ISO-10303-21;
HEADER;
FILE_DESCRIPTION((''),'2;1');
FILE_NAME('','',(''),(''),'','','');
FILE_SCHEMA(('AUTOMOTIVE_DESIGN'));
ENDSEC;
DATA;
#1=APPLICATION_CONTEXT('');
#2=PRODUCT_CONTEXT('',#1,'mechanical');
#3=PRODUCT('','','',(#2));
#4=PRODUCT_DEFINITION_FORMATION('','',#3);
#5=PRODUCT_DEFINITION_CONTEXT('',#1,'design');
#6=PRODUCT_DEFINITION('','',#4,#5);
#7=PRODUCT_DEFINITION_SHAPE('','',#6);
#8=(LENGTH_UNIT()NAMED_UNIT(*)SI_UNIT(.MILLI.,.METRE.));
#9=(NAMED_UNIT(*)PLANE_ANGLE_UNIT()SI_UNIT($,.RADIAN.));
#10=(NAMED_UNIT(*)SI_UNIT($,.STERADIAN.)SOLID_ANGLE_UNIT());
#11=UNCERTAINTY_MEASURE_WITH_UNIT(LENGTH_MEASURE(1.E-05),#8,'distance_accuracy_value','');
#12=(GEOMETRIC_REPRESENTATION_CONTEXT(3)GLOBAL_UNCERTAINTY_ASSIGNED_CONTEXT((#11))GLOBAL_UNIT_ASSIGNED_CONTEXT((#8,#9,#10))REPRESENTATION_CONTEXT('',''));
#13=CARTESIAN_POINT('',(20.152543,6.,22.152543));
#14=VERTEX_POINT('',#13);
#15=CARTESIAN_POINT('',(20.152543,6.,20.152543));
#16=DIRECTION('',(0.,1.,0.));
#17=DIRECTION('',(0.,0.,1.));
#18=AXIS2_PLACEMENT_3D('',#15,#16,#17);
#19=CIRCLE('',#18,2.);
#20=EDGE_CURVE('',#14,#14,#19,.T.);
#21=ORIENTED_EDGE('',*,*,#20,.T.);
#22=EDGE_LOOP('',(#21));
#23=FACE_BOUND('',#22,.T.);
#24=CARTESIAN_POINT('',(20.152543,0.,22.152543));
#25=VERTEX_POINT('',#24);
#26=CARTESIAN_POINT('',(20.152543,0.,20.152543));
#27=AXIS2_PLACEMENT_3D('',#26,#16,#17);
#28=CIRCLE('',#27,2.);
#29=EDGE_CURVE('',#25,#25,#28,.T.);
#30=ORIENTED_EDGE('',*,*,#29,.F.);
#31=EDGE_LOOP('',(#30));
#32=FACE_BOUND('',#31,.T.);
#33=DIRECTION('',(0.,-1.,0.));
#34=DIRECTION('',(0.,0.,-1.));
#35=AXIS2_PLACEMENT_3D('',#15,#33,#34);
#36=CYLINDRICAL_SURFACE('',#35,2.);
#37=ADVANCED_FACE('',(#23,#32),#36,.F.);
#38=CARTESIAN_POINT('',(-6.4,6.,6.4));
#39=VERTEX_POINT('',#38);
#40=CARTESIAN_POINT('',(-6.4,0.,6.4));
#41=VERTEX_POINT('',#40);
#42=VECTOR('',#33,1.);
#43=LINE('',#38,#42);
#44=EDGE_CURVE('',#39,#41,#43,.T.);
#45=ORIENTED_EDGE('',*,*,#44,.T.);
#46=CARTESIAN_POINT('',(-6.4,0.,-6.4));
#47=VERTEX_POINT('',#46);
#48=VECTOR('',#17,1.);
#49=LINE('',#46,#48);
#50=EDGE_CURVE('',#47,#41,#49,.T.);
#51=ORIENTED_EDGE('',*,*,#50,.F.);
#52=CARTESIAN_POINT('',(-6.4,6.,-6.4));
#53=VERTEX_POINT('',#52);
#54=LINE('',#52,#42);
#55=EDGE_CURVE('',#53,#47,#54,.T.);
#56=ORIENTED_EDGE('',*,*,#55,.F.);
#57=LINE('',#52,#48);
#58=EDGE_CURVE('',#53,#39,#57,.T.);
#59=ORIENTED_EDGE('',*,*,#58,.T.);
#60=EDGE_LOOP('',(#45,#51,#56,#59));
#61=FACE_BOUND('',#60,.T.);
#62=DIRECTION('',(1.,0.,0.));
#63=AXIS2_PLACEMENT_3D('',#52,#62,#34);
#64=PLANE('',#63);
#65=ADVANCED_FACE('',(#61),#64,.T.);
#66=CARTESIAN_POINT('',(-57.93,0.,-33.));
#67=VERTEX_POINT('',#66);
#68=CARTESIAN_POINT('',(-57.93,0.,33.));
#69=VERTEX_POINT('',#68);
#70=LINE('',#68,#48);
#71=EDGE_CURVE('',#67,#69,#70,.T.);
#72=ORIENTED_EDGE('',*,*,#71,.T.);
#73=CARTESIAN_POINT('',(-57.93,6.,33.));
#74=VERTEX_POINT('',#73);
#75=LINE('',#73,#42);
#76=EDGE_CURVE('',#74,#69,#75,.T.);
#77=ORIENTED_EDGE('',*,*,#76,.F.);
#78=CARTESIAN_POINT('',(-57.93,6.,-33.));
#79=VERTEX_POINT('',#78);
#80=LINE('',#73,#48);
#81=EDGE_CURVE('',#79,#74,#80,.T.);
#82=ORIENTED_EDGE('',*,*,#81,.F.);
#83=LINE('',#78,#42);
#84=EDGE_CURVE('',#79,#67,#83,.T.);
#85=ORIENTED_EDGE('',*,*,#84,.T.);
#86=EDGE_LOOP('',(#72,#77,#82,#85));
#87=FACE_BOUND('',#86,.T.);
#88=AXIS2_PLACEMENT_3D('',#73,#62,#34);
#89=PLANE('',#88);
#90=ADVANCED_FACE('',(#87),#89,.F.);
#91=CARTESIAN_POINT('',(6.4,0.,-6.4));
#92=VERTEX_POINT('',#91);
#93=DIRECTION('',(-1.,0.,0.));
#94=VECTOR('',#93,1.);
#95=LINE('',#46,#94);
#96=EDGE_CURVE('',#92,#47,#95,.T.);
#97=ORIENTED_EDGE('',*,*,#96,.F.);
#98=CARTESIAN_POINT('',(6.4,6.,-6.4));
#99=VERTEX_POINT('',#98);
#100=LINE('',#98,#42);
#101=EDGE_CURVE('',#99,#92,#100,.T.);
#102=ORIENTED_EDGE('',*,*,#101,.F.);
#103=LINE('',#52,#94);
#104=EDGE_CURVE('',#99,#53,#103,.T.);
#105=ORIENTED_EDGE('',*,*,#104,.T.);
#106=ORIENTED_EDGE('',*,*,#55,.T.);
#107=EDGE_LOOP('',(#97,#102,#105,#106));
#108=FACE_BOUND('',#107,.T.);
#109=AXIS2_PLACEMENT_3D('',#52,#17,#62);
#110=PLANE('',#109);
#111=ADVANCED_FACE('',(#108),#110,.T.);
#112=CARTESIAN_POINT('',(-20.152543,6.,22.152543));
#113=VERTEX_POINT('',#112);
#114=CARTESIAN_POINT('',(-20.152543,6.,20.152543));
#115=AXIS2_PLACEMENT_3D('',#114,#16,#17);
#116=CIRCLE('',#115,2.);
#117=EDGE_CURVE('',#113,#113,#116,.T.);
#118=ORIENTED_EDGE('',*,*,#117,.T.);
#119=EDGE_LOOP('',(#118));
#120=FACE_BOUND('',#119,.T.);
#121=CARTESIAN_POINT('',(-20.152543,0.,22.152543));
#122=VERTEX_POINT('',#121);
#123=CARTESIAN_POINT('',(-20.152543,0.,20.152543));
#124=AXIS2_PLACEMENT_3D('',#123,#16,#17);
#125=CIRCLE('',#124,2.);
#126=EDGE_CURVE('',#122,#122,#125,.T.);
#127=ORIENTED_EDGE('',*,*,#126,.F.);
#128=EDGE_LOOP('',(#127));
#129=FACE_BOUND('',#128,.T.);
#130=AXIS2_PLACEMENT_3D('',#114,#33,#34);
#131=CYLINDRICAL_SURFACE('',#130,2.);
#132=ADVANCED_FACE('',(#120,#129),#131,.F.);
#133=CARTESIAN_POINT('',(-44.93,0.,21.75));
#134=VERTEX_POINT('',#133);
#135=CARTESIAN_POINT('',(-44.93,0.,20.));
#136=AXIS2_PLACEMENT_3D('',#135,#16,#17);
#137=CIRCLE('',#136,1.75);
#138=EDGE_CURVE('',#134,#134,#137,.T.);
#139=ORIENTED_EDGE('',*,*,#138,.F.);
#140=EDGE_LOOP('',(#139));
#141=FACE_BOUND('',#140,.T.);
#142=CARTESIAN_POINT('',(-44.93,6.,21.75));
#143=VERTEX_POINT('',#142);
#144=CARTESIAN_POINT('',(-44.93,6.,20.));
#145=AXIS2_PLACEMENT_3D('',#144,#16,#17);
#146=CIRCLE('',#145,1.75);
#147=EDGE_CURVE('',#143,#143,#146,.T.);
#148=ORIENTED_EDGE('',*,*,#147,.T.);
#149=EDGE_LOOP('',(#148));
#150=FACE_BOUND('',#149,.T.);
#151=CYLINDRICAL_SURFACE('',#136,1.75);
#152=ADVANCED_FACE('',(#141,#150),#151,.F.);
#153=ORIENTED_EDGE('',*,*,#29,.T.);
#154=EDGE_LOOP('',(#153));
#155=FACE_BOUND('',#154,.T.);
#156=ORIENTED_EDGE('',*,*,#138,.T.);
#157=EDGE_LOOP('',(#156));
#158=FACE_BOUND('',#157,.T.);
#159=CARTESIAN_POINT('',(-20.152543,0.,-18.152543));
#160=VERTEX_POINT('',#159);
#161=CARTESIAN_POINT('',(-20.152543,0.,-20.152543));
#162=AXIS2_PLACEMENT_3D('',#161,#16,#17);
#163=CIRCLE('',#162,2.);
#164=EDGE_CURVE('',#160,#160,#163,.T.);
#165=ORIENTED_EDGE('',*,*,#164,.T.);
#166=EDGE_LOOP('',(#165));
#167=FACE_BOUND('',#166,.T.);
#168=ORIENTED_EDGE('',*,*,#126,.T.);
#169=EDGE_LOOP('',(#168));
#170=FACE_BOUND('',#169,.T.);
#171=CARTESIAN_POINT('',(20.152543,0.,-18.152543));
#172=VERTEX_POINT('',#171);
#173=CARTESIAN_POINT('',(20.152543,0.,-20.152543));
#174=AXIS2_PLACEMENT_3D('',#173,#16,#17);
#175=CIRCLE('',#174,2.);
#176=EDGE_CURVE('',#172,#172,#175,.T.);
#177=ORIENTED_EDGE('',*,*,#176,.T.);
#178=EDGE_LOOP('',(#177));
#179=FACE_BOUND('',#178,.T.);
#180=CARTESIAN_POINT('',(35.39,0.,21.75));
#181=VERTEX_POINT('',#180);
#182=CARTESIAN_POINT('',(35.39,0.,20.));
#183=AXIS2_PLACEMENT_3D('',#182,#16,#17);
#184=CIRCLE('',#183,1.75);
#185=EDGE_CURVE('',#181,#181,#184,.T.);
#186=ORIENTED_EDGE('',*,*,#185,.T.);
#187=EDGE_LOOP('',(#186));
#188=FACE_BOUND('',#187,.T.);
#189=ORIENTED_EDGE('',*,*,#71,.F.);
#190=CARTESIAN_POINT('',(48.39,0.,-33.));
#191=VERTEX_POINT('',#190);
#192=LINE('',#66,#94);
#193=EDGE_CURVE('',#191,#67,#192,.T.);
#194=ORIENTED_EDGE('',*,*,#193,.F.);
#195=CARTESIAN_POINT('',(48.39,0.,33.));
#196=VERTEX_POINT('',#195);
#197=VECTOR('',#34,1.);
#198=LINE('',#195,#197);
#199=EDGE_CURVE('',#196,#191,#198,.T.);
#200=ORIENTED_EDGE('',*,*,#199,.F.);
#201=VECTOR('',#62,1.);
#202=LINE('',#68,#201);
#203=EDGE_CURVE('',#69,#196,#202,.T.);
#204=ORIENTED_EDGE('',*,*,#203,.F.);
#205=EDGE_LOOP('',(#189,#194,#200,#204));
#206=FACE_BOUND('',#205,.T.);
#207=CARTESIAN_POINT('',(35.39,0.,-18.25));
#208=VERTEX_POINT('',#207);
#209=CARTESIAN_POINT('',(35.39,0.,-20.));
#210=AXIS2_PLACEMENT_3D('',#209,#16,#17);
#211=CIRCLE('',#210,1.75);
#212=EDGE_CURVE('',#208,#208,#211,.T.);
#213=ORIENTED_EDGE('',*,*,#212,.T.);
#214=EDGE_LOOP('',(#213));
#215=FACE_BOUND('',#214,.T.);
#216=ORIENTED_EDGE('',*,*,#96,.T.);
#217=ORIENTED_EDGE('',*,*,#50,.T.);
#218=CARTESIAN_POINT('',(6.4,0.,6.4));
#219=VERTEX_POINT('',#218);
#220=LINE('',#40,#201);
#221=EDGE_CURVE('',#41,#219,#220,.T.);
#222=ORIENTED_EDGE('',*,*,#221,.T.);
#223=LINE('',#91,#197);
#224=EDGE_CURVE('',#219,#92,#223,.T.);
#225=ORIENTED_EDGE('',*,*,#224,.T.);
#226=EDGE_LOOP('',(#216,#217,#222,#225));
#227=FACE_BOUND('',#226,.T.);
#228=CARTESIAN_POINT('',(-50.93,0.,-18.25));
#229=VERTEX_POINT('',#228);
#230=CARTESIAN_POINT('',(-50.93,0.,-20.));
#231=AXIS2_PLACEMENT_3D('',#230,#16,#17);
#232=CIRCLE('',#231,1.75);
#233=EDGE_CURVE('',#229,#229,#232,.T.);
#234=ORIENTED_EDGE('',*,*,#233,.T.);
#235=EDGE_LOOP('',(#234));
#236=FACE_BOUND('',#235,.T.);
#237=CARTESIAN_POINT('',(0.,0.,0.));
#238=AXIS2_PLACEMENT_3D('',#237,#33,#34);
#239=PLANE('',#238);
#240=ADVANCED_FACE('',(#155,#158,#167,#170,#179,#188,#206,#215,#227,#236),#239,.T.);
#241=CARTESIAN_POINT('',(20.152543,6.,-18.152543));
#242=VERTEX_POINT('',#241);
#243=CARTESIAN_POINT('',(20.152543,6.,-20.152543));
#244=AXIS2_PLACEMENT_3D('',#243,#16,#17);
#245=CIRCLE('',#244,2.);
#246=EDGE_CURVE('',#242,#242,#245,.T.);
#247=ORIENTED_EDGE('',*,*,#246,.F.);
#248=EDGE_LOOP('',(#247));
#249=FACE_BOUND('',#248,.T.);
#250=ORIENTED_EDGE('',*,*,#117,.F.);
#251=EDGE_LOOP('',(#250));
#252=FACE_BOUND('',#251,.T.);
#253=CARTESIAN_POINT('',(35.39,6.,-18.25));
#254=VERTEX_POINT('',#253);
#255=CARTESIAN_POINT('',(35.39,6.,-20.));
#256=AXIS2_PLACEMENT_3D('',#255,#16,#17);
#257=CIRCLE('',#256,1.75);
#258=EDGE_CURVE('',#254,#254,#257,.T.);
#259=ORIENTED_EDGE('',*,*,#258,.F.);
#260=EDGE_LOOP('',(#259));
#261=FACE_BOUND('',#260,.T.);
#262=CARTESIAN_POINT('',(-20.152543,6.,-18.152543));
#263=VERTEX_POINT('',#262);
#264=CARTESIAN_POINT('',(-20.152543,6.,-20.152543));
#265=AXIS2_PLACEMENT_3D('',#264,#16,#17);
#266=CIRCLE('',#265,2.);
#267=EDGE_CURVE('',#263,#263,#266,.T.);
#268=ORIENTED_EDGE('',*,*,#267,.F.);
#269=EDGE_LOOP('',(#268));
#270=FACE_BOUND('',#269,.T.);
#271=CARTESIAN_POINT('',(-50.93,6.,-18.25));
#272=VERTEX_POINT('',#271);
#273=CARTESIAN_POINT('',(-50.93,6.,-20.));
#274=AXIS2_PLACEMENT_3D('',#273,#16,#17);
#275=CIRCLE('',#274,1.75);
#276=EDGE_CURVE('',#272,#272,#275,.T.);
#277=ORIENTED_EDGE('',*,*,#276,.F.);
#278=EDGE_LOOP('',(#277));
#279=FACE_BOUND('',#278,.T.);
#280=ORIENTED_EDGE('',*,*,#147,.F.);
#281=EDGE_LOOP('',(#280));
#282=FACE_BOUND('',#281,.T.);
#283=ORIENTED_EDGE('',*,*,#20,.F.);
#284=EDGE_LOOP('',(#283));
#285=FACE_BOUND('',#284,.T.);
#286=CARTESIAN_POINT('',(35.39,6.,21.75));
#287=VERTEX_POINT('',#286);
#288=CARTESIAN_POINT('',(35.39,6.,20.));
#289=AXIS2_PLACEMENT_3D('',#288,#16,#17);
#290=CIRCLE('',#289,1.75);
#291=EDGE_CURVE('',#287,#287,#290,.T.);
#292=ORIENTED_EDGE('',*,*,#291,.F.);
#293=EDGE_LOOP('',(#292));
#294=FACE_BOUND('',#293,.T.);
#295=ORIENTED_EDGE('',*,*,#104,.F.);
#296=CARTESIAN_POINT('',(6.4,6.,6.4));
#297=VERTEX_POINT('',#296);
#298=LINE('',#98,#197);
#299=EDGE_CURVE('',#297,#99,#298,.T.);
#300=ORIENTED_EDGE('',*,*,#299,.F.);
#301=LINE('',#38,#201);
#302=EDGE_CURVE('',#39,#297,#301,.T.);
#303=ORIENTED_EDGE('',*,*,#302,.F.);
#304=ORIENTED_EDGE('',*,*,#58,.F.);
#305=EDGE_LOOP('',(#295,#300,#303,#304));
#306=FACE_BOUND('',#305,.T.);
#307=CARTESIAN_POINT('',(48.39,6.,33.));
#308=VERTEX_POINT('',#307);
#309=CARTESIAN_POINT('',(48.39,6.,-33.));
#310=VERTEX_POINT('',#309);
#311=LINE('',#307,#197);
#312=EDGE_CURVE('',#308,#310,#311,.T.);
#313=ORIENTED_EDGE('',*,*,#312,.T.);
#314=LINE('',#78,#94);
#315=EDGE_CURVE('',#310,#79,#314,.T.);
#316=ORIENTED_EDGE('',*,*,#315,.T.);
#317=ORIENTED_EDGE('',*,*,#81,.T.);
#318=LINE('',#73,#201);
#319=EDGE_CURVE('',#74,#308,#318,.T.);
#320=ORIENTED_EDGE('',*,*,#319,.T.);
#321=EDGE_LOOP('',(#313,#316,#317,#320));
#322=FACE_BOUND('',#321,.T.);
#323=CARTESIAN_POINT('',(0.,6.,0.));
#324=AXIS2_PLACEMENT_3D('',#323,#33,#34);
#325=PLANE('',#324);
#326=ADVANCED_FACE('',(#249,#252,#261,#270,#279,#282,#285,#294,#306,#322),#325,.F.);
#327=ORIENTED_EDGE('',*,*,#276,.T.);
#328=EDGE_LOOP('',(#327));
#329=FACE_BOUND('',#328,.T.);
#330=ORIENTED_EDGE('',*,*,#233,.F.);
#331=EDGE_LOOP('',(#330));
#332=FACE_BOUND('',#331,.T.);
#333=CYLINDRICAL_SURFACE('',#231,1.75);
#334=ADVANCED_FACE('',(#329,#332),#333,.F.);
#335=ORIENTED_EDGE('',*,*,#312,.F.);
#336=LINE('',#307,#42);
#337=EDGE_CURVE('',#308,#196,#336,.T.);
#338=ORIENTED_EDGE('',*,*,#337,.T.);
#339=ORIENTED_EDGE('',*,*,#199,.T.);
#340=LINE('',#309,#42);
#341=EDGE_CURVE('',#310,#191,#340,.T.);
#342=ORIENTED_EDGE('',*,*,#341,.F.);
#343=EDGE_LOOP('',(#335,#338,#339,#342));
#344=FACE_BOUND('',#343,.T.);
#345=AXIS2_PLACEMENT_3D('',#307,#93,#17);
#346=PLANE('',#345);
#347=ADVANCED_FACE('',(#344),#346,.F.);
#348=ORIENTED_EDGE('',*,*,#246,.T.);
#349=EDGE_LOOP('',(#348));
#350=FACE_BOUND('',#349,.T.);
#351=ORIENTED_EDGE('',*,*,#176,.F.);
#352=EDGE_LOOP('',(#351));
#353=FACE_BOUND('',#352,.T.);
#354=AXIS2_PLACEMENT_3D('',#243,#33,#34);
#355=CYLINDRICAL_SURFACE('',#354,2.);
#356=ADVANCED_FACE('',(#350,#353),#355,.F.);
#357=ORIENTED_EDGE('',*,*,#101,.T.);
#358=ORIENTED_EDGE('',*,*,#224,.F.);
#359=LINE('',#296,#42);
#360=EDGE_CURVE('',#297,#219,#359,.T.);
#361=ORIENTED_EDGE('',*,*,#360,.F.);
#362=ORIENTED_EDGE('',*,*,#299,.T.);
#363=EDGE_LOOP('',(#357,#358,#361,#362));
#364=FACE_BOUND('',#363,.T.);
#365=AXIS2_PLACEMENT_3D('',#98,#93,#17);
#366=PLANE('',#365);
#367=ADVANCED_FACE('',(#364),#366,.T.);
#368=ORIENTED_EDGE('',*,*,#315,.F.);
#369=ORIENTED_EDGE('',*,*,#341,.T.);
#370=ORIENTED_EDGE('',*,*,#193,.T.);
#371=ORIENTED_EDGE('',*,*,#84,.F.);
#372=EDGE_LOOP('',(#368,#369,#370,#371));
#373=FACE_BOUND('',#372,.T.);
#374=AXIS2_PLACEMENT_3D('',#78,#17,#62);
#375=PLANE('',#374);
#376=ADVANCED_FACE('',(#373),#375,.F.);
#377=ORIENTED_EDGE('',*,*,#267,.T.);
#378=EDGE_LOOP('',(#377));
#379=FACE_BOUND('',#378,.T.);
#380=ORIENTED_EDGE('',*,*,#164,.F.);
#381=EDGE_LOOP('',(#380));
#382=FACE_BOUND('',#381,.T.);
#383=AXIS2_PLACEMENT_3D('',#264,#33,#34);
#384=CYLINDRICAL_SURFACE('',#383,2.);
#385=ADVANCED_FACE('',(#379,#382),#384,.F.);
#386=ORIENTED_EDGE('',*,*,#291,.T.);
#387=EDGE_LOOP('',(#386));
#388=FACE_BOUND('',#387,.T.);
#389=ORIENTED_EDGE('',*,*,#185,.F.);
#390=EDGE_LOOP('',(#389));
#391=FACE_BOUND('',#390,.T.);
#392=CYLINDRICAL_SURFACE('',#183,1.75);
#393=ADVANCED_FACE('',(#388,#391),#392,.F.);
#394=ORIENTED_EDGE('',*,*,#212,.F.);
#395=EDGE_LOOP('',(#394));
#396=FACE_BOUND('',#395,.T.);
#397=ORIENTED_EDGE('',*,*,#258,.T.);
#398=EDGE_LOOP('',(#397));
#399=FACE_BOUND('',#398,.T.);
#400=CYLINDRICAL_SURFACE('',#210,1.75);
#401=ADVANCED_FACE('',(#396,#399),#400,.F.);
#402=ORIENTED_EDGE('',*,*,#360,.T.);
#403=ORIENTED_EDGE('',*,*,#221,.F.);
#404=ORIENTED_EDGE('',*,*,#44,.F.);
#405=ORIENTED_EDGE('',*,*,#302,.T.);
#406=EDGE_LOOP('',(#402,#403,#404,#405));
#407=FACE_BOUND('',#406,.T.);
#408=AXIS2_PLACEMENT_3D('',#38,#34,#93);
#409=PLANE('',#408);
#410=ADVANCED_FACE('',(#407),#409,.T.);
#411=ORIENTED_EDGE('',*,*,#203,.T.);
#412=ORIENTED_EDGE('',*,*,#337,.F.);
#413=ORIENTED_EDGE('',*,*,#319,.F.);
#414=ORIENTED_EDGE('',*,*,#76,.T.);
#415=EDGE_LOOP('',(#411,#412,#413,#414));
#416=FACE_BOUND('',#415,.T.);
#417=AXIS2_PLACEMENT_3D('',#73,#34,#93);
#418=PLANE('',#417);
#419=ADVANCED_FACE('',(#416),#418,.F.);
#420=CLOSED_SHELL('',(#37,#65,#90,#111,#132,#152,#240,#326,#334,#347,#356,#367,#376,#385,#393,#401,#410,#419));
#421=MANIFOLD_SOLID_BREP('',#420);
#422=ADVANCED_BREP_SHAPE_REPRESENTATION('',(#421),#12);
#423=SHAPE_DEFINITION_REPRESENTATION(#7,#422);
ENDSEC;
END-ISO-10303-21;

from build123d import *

# Parameters (mm, degrees)
SKETCH1_W           = 106.32
SKETCH1_H           = 66
SKETCH1_R           = 2
SKETCH1_W_2         = 12.8
SKETCH1_H_2         = 12.8
BOSS_EXTRUDE1_DEPTH = 6
SKETCH4_R           = 1.75
CUT_EXTRUDE1_DEPTH  = 67.939412158


with BuildPart() as part:
    # Sketch1 → Boss-Extrude1 (new body)
    with BuildSketch(Plane(origin=(0, 0, 0), x_dir=(1, 0, 0), z_dir=(0, 1, 0))):
        with Locations((-4.77, 0)):
            Rectangle(SKETCH1_W, SKETCH1_H)
        with Locations(Location((20.152543264, -20.152543264, 0), (0, 0, 270))):
            Circle(SKETCH1_R, mode=Mode.SUBTRACT)
        with Locations(Location((20.152543264, 20.152543264, 0), (0, 0, 270))):
            Circle(SKETCH1_R, mode=Mode.SUBTRACT)
        with Locations(Location((-20.152543264, -20.152543264, 0), (0, 0, 270))):
            Circle(SKETCH1_R, mode=Mode.SUBTRACT)
        with Locations(Location((-20.152543264, 20.152543264, 0), (0, 0, 270))):
            Circle(SKETCH1_R, mode=Mode.SUBTRACT)
        Rectangle(SKETCH1_W_2, SKETCH1_H_2, mode=Mode.SUBTRACT)
    extrude(amount=BOSS_EXTRUDE1_DEPTH)

    # Sketch4 → Cut-Extrude1 (cut, through all)
    with BuildSketch(Plane(origin=(0, 6, 0), x_dir=(1, 0, 0), z_dir=(0, 1, 0))):
        with Locations(Location((-50.93, 20, 0), (0, 0, 270))):
            Circle(SKETCH4_R)
        with Locations(Location((-44.93, -20, 0), (0, 0, 270))):
            Circle(SKETCH4_R)
        with Locations(Location((35.39, -20, 0), (0, 0, 270))):
            Circle(SKETCH4_R)
        with Locations(Location((35.39, 20, 0), (0, 0, 270))):
            Circle(SKETCH4_R)
    extrude(amount=-CUT_EXTRUDE1_DEPTH, mode=Mode.SUBTRACT)


solid = part.part
